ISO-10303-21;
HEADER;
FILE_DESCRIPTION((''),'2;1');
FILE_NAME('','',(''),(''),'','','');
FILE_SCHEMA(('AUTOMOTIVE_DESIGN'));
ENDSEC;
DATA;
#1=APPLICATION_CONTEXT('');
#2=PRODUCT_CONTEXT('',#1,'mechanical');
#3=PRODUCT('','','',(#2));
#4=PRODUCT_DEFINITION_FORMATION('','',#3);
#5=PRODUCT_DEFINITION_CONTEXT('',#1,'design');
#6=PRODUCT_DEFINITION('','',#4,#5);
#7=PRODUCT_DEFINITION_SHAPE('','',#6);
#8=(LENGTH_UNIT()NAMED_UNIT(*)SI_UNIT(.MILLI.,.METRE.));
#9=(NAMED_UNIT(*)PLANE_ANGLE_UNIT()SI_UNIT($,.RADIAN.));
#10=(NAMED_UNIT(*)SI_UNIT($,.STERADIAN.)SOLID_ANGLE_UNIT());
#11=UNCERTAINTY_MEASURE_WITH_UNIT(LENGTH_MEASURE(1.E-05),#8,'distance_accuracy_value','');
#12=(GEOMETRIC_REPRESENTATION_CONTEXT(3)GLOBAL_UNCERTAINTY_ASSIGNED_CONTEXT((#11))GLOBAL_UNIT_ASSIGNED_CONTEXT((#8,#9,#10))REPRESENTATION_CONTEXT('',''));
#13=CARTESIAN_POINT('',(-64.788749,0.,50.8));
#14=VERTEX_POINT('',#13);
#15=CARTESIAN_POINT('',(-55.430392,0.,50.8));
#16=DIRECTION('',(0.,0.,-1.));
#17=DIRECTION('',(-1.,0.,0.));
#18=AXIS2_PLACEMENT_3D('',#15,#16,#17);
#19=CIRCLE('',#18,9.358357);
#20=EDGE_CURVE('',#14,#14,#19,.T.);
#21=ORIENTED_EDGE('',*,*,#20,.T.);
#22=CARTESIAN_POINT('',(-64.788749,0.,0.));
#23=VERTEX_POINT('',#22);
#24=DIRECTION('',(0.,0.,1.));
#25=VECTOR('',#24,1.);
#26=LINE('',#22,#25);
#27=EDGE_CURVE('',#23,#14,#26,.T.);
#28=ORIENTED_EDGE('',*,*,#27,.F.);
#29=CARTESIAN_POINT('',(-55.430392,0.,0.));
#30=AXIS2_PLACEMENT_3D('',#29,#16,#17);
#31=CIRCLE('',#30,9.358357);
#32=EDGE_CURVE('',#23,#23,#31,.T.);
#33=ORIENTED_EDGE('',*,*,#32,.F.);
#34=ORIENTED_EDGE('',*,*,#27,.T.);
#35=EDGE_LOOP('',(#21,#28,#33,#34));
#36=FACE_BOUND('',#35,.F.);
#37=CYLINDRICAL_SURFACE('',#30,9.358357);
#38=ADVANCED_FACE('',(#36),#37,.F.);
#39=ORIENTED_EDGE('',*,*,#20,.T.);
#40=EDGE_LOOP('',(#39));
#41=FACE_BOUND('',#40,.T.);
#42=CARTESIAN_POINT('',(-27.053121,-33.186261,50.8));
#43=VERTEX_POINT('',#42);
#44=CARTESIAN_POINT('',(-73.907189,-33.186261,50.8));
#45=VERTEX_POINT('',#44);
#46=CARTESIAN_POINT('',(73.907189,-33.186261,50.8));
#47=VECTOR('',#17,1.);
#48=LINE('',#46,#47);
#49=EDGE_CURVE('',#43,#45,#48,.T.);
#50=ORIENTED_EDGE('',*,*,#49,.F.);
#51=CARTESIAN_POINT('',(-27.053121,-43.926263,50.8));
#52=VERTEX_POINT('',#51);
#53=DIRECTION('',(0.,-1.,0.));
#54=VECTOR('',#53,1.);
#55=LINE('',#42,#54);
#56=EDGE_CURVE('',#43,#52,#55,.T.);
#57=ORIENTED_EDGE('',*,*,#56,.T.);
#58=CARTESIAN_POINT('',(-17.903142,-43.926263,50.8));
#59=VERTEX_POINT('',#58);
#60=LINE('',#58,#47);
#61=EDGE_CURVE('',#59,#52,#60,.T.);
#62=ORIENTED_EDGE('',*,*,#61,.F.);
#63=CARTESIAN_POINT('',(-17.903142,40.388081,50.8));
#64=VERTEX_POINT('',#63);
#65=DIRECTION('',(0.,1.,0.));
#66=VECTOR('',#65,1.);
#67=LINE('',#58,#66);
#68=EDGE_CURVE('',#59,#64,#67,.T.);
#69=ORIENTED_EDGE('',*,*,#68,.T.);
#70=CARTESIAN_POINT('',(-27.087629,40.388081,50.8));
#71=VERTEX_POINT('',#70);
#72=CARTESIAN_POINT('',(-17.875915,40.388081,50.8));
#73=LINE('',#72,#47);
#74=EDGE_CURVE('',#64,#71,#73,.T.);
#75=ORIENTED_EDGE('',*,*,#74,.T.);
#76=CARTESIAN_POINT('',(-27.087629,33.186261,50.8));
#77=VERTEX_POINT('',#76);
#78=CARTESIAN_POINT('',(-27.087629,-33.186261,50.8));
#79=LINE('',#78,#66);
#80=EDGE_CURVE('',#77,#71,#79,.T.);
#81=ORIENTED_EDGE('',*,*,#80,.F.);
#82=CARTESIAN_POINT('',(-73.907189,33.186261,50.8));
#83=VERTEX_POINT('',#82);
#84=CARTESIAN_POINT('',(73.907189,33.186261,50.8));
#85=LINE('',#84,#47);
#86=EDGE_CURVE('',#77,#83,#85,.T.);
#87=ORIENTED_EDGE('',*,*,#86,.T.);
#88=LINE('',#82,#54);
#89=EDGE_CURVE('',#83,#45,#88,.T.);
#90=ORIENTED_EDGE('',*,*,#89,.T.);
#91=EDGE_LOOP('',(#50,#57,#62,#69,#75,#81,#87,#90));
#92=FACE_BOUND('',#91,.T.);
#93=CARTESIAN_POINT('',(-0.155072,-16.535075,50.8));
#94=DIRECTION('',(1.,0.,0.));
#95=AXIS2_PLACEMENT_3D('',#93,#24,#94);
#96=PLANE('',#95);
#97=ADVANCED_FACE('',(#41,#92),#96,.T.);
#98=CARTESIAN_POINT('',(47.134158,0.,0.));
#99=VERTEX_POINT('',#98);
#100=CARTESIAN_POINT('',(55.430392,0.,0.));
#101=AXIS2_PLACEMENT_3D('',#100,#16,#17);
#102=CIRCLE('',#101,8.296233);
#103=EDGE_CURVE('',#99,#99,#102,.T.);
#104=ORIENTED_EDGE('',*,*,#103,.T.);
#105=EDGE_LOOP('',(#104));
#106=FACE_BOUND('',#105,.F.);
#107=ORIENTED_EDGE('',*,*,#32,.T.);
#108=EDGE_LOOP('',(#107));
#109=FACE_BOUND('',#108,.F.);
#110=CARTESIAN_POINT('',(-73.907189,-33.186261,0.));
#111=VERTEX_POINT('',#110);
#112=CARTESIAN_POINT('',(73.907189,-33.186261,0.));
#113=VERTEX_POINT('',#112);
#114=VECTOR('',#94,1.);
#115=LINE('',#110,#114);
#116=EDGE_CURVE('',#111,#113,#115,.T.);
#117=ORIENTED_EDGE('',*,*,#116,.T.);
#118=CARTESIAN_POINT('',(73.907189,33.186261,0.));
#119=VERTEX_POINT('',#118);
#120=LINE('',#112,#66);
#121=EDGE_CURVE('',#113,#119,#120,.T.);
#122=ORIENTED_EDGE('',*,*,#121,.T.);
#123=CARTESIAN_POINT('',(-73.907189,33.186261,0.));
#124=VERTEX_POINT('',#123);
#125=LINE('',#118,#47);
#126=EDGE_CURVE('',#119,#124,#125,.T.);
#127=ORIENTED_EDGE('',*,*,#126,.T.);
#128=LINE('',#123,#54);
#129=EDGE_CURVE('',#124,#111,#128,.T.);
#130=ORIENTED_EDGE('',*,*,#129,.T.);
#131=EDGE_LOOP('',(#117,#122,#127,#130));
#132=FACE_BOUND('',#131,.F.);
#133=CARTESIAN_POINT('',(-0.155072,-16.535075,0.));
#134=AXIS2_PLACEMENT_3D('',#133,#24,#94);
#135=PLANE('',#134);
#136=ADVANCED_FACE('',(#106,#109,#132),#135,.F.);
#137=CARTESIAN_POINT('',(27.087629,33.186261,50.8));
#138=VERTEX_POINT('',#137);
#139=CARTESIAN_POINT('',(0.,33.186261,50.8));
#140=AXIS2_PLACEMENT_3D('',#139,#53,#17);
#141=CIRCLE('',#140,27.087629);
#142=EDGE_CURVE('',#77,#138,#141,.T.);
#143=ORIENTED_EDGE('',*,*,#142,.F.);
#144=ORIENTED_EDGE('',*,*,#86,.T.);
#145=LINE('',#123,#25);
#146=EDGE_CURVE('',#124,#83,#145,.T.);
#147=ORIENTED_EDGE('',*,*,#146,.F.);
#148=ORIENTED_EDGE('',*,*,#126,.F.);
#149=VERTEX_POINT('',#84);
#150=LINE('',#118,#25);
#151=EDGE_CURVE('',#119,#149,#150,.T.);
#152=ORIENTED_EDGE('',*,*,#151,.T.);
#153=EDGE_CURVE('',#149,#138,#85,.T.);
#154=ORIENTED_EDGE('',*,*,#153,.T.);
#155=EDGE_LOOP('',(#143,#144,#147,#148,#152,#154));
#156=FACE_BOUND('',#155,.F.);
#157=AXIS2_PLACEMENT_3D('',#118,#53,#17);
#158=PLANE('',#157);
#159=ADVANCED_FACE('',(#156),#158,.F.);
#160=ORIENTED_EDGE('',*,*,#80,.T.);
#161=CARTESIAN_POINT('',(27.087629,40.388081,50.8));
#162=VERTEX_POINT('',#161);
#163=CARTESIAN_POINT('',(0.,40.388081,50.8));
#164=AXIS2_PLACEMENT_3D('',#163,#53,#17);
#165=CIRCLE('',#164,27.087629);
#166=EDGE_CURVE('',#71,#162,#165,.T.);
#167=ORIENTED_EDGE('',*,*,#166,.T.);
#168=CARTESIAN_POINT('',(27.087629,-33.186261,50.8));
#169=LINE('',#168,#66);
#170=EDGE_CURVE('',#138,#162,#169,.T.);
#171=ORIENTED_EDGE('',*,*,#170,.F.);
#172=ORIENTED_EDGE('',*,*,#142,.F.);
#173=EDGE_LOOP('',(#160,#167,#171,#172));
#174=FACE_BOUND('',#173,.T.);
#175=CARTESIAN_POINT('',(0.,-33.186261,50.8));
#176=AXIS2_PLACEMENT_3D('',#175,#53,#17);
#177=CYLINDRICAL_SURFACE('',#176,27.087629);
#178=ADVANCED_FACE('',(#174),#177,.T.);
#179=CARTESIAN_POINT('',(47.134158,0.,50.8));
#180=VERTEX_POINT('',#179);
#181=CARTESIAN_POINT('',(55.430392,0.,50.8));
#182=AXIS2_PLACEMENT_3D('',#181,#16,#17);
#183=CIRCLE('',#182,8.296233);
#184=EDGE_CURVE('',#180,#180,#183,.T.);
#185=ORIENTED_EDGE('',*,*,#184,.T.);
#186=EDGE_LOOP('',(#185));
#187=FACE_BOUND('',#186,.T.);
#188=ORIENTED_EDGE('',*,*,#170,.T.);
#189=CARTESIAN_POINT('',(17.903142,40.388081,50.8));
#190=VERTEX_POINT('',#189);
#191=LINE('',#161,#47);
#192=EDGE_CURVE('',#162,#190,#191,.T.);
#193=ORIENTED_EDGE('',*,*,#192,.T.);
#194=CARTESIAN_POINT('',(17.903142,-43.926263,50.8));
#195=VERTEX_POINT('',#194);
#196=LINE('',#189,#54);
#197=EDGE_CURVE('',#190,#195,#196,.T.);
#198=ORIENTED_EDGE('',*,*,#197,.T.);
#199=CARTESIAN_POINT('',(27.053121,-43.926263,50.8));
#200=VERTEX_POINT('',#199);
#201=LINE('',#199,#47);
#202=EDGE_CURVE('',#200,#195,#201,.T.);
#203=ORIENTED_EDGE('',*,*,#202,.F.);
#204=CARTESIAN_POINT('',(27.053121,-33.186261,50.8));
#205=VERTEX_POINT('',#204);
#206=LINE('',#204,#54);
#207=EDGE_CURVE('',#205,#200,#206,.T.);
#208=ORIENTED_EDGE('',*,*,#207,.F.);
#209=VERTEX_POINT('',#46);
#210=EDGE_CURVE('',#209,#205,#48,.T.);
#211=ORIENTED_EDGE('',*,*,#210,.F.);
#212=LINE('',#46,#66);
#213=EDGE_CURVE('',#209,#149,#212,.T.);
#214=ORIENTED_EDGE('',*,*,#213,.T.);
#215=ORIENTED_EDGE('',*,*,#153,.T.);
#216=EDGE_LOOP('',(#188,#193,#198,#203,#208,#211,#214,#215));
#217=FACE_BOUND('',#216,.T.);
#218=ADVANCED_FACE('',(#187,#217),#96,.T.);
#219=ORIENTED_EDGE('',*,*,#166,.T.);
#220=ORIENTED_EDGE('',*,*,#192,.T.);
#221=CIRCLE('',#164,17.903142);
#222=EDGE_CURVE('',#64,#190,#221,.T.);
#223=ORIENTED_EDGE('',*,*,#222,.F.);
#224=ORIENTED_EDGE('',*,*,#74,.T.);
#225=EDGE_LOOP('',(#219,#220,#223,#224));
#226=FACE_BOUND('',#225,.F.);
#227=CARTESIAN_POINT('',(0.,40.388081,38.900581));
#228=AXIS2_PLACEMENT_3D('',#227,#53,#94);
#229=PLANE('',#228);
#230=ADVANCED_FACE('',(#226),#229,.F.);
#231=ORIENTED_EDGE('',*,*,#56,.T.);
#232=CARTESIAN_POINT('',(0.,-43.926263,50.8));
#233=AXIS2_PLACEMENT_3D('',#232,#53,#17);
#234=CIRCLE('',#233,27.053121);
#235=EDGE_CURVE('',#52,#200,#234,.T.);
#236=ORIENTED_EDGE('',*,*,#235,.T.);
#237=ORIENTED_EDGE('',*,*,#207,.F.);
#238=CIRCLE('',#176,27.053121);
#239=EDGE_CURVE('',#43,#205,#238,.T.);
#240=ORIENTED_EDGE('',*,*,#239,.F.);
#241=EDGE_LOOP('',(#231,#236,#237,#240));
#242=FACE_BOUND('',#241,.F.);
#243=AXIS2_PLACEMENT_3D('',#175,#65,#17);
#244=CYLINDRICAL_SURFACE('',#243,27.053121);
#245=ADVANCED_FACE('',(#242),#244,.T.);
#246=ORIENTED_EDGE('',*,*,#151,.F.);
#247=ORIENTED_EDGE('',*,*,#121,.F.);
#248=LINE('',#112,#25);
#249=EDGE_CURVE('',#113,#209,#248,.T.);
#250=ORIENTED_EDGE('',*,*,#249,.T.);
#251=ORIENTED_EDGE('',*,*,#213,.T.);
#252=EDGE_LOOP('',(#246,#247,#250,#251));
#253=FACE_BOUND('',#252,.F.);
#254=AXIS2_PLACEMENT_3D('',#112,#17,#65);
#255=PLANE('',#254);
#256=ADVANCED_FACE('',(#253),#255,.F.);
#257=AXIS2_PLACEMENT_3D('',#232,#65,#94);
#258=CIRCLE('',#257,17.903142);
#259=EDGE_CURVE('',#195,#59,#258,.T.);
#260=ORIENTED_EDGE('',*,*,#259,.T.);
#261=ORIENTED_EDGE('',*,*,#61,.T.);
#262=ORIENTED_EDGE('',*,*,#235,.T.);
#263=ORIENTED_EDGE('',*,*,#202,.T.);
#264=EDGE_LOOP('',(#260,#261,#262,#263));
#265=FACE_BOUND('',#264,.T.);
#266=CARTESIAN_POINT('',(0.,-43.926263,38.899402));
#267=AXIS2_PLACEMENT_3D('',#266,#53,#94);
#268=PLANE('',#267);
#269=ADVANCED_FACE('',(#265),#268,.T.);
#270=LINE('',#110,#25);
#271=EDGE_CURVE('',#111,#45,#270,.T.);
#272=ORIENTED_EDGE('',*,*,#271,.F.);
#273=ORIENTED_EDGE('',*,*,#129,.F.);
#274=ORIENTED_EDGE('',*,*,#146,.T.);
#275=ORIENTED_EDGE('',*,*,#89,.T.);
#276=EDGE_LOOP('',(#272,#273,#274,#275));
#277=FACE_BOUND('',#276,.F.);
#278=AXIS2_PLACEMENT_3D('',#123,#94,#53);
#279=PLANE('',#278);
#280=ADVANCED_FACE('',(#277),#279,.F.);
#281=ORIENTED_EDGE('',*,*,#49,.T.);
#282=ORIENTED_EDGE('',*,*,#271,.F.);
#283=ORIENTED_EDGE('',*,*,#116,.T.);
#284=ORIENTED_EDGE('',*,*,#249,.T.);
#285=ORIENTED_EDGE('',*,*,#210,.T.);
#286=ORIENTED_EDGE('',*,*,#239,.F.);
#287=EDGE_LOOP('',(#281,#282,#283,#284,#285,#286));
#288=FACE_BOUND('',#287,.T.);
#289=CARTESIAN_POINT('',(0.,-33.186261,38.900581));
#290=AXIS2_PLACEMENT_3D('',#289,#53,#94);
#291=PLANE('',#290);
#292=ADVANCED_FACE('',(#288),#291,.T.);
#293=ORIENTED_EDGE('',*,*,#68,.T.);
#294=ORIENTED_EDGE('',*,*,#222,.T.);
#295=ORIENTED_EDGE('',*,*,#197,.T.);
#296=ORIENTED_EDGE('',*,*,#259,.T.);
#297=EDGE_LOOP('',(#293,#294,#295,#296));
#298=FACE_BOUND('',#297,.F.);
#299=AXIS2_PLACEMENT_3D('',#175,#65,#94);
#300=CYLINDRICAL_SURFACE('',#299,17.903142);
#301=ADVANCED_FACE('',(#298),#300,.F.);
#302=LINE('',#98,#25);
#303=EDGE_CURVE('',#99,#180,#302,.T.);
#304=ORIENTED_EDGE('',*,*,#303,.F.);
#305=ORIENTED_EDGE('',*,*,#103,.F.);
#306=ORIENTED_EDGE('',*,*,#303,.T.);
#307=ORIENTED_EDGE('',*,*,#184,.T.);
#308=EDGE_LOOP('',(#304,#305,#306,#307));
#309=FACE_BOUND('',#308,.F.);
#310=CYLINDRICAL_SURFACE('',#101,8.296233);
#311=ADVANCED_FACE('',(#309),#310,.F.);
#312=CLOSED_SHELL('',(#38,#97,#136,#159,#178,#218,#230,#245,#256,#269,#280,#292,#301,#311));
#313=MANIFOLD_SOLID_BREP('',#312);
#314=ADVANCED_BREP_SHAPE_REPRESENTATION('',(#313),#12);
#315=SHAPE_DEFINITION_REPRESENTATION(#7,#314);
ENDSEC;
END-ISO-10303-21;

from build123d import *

# Parameters (mm, degrees)
F1_DEPTH = 50.8
F3_DEPTH = 73.5743418336
F7_DEPTH = 10.7400026172
F9_DEPTH = 197.7006793022


with BuildPart() as f1:
    # F0 (on Top) → F1 (new body)
    with BuildSketch(Plane.XY):
        with BuildLine():
            Line((73.9071890712, -33.1862606108), (73.9071890712, 0))
            Line((73.9071890712, 0), (63.7266252914, 0))
            ThreePointArc((63.7266252914, 0), (55.4303918034, -8.296233488), (47.1341583154, 0))
            Line((47.1341583154, 0), (36.9535945356, 0))
            Line((36.9535945356, 0), (0, 0))
            Line((0, 0), (-36.9535945356, 0))
            Line((-36.9535945356, 0), (-46.072034324, 0))
            ThreePointArc((-46.072034324, 0), (-55.4303918034, -9.3583574794), (-64.7887492828, 0))
            Line((-64.7887492828, 0), (-73.9071890712, 0))
            Line((-73.9071890712, 0), (-73.9071890712, -33.1862606108))
            Line((-73.9071890712, -33.1862606108), (73.9071890712, -33.1862606108))
        make_face()
        with BuildLine():
            Line((73.9071890712, 0), (73.9071890712, 33.1862606108))
            Line((73.9071890712, 33.1862606108), (-73.9071890712, 33.1862606108))
            Line((-73.9071890712, 33.1862606108), (-73.9071890712, 0))
            Line((-73.9071890712, 0), (-64.7887492828, 0))
            ThreePointArc((-64.7887492828, 0), (-55.4303918034, 9.3583574794), (-46.072034324, 0))
            Line((-46.072034324, 0), (-36.9535945356, 0))
            Line((-36.9535945356, 0), (0, 0))
            Line((0, 0), (36.9535945356, 0))
            Line((36.9535945356, 0), (47.1341583154, 0))
            ThreePointArc((47.1341583154, 0), (55.4303918034, 8.296233488), (63.7266252914, 0))
            Line((63.7266252914, 0), (73.9071890712, 0))
        make_face()
    extrude(amount=F1_DEPTH)

    # F2 (on face) → F3 (join)
    with BuildSketch(Plane.XZ.offset(33.1862606108)):
        with BuildLine():
            ThreePointArc((17.8759153932, 50.8), (0, 32.9240846068), (-17.8759153932, 50.8))
            Line((-17.8759153932, 50.8), (-27.0876288414, 50.8))
            ThreePointArc((-27.0876288414, 50.8), (0, 23.7123711586), (27.0876288414, 50.8))
            Line((27.0876288414, 50.8), (17.8759153932, 50.8))
        make_face()
    extrude(amount=-F3_DEPTH)

    # F6 (on face) → F7 (join)
    with BuildSketch(Plane.XZ.offset(33.1862606108)):
        with BuildLine():
            Line((27.0531214774, 50.8), (17.9031416774, 50.8))
            ThreePointArc((17.9031416774, 50.8), (0, 32.8968583226), (-17.9031416774, 50.8))
            Line((-17.9031416774, 50.8), (-27.0531214774, 50.8))
            ThreePointArc((-27.0531214774, 50.8), (0, 23.7468785226), (27.0531214774, 50.8))
        make_face()
    extrude(amount=F7_DEPTH)

    # F5 (on face) + F3_face1 (on face) → F9 (cut)
    with BuildSketch(Plane.XZ.offset(33.1862606108)):
        with BuildLine():
            Line((17.9031416774, 50.8), (-17.9031416774, 50.8))
            ThreePointArc((-17.9031416774, 50.8), (0, 32.8968583226), (17.9031416774, 50.8))
        make_face()
    with BuildSketch(Plane(origin=(0, 33.1862606108, 43.2132258743), x_dir=(-1, 0, 0), z_dir=(0, 1, 0))):
        with BuildLine():
            ThreePointArc((-17.8759153932, 7.5867741257), (0, -10.2891412676), (17.8759153932, 7.5867741257))
            Line((17.8759153932, 7.5867741257), (-17.8759153932, 7.5867741257))
        make_face()
    extrude(amount=-F9_DEPTH, dir=(0, -1, 0), mode=Mode.SUBTRACT)


solid = f1.part
